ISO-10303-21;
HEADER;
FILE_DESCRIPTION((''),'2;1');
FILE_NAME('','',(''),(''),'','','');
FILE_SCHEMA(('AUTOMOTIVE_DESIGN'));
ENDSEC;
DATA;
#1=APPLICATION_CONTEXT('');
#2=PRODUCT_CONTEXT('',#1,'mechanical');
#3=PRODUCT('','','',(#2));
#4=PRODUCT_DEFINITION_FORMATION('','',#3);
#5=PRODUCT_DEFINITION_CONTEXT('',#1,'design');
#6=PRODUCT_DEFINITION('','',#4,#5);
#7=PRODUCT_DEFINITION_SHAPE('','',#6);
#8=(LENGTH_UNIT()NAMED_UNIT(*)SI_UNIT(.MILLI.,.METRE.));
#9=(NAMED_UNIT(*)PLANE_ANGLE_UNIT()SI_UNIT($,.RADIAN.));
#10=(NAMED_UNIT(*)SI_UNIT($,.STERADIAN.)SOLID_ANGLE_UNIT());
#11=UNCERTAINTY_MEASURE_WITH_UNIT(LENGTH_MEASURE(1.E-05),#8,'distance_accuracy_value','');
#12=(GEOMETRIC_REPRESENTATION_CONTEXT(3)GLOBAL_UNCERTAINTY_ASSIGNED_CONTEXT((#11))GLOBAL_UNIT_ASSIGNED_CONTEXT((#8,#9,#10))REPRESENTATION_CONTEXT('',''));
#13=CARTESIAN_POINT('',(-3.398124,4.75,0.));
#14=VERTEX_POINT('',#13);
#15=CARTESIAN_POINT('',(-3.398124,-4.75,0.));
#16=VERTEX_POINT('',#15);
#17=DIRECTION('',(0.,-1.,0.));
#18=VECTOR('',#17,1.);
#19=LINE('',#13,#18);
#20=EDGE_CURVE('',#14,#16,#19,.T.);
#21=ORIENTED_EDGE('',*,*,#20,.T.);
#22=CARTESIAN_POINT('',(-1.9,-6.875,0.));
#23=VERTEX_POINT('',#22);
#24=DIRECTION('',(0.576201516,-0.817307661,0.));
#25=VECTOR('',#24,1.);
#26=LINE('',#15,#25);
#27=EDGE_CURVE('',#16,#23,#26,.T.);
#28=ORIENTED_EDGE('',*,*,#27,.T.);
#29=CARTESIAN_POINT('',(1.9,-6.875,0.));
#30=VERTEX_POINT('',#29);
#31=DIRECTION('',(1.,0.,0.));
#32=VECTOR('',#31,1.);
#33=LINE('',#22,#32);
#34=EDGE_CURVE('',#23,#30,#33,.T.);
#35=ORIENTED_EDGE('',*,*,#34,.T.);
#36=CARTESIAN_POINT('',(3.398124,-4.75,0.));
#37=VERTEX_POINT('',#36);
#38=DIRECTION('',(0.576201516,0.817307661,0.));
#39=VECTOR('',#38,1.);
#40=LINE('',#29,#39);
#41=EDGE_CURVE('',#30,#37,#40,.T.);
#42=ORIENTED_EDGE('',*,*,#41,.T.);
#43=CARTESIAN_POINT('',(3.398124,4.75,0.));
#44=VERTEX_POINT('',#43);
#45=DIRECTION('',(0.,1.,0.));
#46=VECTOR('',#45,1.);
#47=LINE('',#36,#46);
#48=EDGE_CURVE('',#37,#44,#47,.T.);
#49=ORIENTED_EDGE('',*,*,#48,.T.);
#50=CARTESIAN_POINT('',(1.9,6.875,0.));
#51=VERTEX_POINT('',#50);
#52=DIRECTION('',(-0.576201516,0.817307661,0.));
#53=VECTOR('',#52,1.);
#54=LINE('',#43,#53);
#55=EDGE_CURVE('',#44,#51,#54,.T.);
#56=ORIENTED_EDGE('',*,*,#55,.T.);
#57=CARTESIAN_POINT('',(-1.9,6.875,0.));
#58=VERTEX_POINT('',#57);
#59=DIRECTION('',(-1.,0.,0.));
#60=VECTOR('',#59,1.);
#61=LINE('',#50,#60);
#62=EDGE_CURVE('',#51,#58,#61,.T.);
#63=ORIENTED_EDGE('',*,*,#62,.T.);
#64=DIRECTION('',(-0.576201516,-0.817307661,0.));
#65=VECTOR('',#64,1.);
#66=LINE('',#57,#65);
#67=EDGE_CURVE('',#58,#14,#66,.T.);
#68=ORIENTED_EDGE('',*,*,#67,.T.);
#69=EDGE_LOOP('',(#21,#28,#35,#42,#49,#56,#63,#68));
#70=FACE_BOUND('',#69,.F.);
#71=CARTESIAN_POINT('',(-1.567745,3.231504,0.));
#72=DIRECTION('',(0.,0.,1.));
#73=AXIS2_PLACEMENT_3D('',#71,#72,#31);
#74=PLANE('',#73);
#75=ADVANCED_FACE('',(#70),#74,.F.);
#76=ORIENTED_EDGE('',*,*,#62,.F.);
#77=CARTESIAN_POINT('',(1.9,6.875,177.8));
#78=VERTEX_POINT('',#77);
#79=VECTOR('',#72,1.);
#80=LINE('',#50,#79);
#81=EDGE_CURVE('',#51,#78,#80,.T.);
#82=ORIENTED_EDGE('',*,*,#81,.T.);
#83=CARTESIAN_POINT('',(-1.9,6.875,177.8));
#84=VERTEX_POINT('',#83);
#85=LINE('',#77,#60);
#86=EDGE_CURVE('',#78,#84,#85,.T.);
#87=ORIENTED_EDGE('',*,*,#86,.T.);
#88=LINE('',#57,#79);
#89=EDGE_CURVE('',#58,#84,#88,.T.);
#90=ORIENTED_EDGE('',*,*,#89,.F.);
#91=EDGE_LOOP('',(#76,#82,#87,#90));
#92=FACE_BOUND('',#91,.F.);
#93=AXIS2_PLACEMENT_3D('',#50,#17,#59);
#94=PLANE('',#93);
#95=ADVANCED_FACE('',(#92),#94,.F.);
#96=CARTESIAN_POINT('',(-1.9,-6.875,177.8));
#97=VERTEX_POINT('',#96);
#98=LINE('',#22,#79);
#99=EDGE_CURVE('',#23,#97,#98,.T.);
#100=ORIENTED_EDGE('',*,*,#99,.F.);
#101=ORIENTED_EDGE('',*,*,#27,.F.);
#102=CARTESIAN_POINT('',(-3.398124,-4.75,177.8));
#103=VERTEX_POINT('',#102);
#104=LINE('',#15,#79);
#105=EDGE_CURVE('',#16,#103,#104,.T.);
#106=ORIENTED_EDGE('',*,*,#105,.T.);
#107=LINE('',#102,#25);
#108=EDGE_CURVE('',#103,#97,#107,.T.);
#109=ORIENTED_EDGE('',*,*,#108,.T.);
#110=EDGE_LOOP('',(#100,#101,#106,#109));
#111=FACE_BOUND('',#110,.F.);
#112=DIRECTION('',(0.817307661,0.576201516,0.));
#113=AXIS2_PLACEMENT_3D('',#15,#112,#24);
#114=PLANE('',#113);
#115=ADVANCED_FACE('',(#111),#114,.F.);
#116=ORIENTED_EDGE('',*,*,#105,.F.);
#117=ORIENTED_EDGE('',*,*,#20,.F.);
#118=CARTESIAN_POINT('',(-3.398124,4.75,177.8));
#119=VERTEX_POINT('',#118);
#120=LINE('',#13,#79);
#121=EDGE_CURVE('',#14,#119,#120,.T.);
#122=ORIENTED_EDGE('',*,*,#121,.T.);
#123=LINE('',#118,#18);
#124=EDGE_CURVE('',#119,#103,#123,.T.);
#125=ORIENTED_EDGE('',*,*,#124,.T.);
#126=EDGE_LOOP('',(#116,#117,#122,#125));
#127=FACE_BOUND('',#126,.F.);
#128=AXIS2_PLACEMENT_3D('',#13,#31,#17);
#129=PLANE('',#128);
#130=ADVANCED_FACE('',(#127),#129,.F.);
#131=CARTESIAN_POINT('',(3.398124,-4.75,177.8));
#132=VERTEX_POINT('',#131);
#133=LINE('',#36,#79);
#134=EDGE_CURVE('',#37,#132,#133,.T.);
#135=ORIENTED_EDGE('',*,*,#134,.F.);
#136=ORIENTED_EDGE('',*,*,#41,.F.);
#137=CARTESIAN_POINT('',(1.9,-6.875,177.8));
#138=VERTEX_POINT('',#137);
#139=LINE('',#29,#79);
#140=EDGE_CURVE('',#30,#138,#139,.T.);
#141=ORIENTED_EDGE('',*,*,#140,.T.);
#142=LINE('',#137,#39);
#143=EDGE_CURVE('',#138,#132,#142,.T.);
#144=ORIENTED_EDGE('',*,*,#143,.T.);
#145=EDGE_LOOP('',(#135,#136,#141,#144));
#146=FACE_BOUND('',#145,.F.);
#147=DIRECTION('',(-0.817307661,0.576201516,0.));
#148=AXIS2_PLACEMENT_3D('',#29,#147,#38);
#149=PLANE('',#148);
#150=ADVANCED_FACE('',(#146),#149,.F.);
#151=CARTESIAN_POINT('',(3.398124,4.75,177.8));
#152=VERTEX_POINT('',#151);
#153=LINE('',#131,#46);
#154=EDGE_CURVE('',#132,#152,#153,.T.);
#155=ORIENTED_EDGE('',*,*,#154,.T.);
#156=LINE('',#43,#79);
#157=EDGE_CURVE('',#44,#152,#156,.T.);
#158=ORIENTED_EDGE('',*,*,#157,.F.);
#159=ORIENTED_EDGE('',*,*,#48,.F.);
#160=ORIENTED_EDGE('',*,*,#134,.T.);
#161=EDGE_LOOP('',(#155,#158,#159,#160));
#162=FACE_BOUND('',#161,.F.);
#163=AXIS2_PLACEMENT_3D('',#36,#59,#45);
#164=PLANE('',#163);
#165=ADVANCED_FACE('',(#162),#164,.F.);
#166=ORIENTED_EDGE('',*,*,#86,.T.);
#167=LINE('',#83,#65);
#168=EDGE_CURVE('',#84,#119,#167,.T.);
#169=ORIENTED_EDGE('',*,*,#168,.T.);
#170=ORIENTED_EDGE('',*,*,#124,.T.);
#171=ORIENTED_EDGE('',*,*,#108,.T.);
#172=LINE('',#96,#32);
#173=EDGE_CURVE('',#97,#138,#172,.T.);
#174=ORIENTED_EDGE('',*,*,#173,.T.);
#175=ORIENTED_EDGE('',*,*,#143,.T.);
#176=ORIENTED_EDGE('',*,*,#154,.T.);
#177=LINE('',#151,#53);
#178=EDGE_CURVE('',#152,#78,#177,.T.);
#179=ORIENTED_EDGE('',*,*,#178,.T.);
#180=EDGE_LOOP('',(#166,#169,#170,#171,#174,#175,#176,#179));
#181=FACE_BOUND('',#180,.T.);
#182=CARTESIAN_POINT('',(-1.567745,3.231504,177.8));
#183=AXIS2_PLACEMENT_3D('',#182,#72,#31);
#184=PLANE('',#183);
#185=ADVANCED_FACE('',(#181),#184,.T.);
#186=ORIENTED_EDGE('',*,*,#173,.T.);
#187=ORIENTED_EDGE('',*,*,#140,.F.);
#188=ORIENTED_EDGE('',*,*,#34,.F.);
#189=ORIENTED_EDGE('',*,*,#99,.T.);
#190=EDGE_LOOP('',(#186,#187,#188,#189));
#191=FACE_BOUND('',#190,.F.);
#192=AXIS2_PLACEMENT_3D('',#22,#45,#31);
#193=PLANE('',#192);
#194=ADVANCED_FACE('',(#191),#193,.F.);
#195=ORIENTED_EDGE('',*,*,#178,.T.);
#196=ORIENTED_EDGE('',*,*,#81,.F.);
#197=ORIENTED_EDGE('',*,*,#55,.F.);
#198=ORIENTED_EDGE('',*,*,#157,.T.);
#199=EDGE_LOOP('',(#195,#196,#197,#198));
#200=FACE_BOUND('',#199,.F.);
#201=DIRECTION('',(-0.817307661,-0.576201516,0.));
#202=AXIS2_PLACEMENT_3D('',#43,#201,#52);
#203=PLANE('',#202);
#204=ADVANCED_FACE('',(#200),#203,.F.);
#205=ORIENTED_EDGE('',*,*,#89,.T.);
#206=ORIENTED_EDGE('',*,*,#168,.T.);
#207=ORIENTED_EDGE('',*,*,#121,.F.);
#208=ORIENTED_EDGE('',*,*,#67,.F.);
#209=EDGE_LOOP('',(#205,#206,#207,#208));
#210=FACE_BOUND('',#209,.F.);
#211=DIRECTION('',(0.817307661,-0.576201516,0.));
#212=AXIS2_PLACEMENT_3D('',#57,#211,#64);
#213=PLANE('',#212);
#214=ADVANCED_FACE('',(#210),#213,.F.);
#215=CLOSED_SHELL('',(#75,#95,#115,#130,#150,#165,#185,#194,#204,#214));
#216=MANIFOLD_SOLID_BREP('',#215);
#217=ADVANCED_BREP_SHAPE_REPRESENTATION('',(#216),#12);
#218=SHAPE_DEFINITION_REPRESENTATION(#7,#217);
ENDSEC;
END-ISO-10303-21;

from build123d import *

# Parameters (mm, degrees)
F1_DEPTH = 177.8


with BuildPart() as f1:
    # F0 (on Top) → F1 (new body)
    with BuildSketch(Plane.XY):
        Polygon((-3.398124, 0), (0, 0), (0, 6.875), (-1.9, 6.875), (-3.398124, 4.75), align=None)
        Polygon((0, 6.875), (0, 0), (3.398124, 0), (3.398124, 4.75), (1.9, 6.875), align=None)
        Polygon((3.398124, 0), (0, 0), (-3.398124, 0), (-3.398124, -4.75), (-1.9, -6.875), (0, -6.875), (1.9, -6.875), (3.398124, -4.75), align=None)
    extrude(amount=F1_DEPTH)


solid = f1.part
